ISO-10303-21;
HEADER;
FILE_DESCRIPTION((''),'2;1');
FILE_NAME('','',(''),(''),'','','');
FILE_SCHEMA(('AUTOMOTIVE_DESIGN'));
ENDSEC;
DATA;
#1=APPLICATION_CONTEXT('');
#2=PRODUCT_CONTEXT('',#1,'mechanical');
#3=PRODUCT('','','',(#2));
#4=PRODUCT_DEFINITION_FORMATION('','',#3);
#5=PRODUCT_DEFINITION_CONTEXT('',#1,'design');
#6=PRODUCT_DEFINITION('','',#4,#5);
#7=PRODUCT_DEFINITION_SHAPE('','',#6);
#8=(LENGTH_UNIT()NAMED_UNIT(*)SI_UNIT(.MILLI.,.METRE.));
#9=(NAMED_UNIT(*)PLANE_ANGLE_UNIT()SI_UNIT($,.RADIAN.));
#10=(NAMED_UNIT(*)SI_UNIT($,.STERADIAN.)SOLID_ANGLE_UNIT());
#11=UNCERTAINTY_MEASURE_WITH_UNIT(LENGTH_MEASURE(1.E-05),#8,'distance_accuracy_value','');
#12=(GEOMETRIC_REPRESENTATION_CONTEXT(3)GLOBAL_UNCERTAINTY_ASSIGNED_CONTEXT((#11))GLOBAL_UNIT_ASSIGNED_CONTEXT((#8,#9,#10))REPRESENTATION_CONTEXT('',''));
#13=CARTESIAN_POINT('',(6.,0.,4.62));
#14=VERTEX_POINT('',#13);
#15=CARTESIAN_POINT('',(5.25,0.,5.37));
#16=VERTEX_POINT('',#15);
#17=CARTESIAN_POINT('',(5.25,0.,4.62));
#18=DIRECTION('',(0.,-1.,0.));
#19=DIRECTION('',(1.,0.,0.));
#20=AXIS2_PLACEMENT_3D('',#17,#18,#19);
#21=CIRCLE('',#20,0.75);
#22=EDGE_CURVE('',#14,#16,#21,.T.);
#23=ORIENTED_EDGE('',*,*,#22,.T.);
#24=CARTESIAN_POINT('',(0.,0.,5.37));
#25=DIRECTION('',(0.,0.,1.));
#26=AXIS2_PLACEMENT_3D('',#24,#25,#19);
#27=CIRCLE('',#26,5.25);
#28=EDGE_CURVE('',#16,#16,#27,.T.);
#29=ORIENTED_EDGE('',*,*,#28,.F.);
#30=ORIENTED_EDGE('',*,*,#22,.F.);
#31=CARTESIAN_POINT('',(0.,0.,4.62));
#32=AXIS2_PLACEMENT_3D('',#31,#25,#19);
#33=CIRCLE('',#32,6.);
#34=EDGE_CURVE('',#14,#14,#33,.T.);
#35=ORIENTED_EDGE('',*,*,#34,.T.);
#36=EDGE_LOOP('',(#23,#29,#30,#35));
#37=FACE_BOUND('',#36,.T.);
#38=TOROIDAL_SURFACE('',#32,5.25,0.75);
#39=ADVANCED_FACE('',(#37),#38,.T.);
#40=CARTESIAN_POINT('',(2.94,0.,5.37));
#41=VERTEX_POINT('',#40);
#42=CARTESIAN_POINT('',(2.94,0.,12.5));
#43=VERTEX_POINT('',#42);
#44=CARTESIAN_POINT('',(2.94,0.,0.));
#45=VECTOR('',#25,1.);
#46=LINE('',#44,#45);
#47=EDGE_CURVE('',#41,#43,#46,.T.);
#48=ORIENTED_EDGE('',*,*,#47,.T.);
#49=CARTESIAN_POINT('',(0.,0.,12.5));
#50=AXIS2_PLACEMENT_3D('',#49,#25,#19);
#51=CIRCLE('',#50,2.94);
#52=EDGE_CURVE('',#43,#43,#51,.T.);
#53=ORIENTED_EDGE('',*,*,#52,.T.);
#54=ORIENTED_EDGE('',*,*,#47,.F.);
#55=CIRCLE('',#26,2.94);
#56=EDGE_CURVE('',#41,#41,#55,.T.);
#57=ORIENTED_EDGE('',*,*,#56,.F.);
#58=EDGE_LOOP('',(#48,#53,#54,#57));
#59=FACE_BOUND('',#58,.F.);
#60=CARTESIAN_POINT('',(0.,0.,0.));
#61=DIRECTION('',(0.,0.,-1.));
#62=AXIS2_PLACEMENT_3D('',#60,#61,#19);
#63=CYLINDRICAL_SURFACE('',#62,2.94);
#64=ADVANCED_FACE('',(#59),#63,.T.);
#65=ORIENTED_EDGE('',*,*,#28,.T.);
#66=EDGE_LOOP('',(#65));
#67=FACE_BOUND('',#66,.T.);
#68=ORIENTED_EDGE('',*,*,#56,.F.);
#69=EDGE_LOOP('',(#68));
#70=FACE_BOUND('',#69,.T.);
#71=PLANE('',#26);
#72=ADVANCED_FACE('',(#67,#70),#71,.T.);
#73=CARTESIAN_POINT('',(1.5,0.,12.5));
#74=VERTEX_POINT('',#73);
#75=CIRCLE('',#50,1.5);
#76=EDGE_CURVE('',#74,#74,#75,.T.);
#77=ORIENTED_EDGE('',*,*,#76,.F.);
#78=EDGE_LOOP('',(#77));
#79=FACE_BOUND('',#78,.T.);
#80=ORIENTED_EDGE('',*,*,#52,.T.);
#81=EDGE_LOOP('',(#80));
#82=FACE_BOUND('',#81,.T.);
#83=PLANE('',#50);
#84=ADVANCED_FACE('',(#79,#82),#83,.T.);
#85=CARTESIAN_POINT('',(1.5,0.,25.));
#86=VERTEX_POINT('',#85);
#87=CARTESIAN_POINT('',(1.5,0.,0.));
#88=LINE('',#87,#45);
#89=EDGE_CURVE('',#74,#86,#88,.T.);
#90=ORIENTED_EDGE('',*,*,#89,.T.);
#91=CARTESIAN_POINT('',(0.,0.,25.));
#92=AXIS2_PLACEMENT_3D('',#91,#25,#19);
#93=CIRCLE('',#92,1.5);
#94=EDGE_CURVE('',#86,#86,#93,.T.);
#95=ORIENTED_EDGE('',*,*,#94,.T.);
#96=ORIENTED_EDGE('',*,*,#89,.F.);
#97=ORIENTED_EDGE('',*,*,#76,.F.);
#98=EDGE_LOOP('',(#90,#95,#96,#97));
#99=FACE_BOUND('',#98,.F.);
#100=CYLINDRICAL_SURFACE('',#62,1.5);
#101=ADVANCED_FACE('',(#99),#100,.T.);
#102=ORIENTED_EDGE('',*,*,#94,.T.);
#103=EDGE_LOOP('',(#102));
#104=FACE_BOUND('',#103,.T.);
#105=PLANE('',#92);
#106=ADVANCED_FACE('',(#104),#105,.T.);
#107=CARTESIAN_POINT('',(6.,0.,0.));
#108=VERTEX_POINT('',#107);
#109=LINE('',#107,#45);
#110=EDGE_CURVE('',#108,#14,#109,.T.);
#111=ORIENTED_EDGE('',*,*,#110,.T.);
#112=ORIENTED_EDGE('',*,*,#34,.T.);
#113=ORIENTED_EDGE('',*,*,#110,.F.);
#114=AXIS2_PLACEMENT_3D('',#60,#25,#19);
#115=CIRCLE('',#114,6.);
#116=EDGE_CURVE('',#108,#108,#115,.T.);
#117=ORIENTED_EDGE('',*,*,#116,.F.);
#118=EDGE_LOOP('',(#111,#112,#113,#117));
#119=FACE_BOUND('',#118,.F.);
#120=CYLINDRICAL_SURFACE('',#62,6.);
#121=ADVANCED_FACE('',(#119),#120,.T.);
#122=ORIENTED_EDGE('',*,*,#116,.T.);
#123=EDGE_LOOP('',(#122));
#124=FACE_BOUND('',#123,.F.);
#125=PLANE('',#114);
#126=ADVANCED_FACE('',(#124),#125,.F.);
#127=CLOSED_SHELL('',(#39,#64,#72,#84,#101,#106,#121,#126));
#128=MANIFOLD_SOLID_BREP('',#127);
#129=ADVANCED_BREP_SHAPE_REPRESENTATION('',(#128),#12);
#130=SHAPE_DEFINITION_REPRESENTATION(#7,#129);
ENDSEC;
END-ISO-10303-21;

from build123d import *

# Parameters (mm, degrees)
F0_R     = 1.5
F1_DEPTH = 25
F0_R_2   = 2.94
F2_DEPTH = 12.5
F0_R_3   = 6
F3_DEPTH = 5.37
F4_R     = 0.75


with BuildPart() as f1:
    # F0 (on Top) → F1 (new body)
    with BuildSketch(Plane.XY):
        Circle(F0_R)
    extrude(amount=F1_DEPTH)

    # F0 (on Top) → F2 (join)
    with BuildSketch(Plane.XY):
        Circle(F0_R_2)
        Circle(F0_R, mode=Mode.SUBTRACT)
    extrude(amount=F2_DEPTH)

    # F0 (on Top) → F3 (join)
    with BuildSketch(Plane.XY):
        Circle(F0_R_3)
        Circle(F0_R_2, mode=Mode.SUBTRACT)
    extrude(amount=F3_DEPTH)

    # F4
    f4_edges = [f1.edges().sort_by_distance(p)[0] for p in [
        (-6, 0, 5.37),
    ]]
    fillet(f4_edges, radius=F4_R)


solid = f1.part
